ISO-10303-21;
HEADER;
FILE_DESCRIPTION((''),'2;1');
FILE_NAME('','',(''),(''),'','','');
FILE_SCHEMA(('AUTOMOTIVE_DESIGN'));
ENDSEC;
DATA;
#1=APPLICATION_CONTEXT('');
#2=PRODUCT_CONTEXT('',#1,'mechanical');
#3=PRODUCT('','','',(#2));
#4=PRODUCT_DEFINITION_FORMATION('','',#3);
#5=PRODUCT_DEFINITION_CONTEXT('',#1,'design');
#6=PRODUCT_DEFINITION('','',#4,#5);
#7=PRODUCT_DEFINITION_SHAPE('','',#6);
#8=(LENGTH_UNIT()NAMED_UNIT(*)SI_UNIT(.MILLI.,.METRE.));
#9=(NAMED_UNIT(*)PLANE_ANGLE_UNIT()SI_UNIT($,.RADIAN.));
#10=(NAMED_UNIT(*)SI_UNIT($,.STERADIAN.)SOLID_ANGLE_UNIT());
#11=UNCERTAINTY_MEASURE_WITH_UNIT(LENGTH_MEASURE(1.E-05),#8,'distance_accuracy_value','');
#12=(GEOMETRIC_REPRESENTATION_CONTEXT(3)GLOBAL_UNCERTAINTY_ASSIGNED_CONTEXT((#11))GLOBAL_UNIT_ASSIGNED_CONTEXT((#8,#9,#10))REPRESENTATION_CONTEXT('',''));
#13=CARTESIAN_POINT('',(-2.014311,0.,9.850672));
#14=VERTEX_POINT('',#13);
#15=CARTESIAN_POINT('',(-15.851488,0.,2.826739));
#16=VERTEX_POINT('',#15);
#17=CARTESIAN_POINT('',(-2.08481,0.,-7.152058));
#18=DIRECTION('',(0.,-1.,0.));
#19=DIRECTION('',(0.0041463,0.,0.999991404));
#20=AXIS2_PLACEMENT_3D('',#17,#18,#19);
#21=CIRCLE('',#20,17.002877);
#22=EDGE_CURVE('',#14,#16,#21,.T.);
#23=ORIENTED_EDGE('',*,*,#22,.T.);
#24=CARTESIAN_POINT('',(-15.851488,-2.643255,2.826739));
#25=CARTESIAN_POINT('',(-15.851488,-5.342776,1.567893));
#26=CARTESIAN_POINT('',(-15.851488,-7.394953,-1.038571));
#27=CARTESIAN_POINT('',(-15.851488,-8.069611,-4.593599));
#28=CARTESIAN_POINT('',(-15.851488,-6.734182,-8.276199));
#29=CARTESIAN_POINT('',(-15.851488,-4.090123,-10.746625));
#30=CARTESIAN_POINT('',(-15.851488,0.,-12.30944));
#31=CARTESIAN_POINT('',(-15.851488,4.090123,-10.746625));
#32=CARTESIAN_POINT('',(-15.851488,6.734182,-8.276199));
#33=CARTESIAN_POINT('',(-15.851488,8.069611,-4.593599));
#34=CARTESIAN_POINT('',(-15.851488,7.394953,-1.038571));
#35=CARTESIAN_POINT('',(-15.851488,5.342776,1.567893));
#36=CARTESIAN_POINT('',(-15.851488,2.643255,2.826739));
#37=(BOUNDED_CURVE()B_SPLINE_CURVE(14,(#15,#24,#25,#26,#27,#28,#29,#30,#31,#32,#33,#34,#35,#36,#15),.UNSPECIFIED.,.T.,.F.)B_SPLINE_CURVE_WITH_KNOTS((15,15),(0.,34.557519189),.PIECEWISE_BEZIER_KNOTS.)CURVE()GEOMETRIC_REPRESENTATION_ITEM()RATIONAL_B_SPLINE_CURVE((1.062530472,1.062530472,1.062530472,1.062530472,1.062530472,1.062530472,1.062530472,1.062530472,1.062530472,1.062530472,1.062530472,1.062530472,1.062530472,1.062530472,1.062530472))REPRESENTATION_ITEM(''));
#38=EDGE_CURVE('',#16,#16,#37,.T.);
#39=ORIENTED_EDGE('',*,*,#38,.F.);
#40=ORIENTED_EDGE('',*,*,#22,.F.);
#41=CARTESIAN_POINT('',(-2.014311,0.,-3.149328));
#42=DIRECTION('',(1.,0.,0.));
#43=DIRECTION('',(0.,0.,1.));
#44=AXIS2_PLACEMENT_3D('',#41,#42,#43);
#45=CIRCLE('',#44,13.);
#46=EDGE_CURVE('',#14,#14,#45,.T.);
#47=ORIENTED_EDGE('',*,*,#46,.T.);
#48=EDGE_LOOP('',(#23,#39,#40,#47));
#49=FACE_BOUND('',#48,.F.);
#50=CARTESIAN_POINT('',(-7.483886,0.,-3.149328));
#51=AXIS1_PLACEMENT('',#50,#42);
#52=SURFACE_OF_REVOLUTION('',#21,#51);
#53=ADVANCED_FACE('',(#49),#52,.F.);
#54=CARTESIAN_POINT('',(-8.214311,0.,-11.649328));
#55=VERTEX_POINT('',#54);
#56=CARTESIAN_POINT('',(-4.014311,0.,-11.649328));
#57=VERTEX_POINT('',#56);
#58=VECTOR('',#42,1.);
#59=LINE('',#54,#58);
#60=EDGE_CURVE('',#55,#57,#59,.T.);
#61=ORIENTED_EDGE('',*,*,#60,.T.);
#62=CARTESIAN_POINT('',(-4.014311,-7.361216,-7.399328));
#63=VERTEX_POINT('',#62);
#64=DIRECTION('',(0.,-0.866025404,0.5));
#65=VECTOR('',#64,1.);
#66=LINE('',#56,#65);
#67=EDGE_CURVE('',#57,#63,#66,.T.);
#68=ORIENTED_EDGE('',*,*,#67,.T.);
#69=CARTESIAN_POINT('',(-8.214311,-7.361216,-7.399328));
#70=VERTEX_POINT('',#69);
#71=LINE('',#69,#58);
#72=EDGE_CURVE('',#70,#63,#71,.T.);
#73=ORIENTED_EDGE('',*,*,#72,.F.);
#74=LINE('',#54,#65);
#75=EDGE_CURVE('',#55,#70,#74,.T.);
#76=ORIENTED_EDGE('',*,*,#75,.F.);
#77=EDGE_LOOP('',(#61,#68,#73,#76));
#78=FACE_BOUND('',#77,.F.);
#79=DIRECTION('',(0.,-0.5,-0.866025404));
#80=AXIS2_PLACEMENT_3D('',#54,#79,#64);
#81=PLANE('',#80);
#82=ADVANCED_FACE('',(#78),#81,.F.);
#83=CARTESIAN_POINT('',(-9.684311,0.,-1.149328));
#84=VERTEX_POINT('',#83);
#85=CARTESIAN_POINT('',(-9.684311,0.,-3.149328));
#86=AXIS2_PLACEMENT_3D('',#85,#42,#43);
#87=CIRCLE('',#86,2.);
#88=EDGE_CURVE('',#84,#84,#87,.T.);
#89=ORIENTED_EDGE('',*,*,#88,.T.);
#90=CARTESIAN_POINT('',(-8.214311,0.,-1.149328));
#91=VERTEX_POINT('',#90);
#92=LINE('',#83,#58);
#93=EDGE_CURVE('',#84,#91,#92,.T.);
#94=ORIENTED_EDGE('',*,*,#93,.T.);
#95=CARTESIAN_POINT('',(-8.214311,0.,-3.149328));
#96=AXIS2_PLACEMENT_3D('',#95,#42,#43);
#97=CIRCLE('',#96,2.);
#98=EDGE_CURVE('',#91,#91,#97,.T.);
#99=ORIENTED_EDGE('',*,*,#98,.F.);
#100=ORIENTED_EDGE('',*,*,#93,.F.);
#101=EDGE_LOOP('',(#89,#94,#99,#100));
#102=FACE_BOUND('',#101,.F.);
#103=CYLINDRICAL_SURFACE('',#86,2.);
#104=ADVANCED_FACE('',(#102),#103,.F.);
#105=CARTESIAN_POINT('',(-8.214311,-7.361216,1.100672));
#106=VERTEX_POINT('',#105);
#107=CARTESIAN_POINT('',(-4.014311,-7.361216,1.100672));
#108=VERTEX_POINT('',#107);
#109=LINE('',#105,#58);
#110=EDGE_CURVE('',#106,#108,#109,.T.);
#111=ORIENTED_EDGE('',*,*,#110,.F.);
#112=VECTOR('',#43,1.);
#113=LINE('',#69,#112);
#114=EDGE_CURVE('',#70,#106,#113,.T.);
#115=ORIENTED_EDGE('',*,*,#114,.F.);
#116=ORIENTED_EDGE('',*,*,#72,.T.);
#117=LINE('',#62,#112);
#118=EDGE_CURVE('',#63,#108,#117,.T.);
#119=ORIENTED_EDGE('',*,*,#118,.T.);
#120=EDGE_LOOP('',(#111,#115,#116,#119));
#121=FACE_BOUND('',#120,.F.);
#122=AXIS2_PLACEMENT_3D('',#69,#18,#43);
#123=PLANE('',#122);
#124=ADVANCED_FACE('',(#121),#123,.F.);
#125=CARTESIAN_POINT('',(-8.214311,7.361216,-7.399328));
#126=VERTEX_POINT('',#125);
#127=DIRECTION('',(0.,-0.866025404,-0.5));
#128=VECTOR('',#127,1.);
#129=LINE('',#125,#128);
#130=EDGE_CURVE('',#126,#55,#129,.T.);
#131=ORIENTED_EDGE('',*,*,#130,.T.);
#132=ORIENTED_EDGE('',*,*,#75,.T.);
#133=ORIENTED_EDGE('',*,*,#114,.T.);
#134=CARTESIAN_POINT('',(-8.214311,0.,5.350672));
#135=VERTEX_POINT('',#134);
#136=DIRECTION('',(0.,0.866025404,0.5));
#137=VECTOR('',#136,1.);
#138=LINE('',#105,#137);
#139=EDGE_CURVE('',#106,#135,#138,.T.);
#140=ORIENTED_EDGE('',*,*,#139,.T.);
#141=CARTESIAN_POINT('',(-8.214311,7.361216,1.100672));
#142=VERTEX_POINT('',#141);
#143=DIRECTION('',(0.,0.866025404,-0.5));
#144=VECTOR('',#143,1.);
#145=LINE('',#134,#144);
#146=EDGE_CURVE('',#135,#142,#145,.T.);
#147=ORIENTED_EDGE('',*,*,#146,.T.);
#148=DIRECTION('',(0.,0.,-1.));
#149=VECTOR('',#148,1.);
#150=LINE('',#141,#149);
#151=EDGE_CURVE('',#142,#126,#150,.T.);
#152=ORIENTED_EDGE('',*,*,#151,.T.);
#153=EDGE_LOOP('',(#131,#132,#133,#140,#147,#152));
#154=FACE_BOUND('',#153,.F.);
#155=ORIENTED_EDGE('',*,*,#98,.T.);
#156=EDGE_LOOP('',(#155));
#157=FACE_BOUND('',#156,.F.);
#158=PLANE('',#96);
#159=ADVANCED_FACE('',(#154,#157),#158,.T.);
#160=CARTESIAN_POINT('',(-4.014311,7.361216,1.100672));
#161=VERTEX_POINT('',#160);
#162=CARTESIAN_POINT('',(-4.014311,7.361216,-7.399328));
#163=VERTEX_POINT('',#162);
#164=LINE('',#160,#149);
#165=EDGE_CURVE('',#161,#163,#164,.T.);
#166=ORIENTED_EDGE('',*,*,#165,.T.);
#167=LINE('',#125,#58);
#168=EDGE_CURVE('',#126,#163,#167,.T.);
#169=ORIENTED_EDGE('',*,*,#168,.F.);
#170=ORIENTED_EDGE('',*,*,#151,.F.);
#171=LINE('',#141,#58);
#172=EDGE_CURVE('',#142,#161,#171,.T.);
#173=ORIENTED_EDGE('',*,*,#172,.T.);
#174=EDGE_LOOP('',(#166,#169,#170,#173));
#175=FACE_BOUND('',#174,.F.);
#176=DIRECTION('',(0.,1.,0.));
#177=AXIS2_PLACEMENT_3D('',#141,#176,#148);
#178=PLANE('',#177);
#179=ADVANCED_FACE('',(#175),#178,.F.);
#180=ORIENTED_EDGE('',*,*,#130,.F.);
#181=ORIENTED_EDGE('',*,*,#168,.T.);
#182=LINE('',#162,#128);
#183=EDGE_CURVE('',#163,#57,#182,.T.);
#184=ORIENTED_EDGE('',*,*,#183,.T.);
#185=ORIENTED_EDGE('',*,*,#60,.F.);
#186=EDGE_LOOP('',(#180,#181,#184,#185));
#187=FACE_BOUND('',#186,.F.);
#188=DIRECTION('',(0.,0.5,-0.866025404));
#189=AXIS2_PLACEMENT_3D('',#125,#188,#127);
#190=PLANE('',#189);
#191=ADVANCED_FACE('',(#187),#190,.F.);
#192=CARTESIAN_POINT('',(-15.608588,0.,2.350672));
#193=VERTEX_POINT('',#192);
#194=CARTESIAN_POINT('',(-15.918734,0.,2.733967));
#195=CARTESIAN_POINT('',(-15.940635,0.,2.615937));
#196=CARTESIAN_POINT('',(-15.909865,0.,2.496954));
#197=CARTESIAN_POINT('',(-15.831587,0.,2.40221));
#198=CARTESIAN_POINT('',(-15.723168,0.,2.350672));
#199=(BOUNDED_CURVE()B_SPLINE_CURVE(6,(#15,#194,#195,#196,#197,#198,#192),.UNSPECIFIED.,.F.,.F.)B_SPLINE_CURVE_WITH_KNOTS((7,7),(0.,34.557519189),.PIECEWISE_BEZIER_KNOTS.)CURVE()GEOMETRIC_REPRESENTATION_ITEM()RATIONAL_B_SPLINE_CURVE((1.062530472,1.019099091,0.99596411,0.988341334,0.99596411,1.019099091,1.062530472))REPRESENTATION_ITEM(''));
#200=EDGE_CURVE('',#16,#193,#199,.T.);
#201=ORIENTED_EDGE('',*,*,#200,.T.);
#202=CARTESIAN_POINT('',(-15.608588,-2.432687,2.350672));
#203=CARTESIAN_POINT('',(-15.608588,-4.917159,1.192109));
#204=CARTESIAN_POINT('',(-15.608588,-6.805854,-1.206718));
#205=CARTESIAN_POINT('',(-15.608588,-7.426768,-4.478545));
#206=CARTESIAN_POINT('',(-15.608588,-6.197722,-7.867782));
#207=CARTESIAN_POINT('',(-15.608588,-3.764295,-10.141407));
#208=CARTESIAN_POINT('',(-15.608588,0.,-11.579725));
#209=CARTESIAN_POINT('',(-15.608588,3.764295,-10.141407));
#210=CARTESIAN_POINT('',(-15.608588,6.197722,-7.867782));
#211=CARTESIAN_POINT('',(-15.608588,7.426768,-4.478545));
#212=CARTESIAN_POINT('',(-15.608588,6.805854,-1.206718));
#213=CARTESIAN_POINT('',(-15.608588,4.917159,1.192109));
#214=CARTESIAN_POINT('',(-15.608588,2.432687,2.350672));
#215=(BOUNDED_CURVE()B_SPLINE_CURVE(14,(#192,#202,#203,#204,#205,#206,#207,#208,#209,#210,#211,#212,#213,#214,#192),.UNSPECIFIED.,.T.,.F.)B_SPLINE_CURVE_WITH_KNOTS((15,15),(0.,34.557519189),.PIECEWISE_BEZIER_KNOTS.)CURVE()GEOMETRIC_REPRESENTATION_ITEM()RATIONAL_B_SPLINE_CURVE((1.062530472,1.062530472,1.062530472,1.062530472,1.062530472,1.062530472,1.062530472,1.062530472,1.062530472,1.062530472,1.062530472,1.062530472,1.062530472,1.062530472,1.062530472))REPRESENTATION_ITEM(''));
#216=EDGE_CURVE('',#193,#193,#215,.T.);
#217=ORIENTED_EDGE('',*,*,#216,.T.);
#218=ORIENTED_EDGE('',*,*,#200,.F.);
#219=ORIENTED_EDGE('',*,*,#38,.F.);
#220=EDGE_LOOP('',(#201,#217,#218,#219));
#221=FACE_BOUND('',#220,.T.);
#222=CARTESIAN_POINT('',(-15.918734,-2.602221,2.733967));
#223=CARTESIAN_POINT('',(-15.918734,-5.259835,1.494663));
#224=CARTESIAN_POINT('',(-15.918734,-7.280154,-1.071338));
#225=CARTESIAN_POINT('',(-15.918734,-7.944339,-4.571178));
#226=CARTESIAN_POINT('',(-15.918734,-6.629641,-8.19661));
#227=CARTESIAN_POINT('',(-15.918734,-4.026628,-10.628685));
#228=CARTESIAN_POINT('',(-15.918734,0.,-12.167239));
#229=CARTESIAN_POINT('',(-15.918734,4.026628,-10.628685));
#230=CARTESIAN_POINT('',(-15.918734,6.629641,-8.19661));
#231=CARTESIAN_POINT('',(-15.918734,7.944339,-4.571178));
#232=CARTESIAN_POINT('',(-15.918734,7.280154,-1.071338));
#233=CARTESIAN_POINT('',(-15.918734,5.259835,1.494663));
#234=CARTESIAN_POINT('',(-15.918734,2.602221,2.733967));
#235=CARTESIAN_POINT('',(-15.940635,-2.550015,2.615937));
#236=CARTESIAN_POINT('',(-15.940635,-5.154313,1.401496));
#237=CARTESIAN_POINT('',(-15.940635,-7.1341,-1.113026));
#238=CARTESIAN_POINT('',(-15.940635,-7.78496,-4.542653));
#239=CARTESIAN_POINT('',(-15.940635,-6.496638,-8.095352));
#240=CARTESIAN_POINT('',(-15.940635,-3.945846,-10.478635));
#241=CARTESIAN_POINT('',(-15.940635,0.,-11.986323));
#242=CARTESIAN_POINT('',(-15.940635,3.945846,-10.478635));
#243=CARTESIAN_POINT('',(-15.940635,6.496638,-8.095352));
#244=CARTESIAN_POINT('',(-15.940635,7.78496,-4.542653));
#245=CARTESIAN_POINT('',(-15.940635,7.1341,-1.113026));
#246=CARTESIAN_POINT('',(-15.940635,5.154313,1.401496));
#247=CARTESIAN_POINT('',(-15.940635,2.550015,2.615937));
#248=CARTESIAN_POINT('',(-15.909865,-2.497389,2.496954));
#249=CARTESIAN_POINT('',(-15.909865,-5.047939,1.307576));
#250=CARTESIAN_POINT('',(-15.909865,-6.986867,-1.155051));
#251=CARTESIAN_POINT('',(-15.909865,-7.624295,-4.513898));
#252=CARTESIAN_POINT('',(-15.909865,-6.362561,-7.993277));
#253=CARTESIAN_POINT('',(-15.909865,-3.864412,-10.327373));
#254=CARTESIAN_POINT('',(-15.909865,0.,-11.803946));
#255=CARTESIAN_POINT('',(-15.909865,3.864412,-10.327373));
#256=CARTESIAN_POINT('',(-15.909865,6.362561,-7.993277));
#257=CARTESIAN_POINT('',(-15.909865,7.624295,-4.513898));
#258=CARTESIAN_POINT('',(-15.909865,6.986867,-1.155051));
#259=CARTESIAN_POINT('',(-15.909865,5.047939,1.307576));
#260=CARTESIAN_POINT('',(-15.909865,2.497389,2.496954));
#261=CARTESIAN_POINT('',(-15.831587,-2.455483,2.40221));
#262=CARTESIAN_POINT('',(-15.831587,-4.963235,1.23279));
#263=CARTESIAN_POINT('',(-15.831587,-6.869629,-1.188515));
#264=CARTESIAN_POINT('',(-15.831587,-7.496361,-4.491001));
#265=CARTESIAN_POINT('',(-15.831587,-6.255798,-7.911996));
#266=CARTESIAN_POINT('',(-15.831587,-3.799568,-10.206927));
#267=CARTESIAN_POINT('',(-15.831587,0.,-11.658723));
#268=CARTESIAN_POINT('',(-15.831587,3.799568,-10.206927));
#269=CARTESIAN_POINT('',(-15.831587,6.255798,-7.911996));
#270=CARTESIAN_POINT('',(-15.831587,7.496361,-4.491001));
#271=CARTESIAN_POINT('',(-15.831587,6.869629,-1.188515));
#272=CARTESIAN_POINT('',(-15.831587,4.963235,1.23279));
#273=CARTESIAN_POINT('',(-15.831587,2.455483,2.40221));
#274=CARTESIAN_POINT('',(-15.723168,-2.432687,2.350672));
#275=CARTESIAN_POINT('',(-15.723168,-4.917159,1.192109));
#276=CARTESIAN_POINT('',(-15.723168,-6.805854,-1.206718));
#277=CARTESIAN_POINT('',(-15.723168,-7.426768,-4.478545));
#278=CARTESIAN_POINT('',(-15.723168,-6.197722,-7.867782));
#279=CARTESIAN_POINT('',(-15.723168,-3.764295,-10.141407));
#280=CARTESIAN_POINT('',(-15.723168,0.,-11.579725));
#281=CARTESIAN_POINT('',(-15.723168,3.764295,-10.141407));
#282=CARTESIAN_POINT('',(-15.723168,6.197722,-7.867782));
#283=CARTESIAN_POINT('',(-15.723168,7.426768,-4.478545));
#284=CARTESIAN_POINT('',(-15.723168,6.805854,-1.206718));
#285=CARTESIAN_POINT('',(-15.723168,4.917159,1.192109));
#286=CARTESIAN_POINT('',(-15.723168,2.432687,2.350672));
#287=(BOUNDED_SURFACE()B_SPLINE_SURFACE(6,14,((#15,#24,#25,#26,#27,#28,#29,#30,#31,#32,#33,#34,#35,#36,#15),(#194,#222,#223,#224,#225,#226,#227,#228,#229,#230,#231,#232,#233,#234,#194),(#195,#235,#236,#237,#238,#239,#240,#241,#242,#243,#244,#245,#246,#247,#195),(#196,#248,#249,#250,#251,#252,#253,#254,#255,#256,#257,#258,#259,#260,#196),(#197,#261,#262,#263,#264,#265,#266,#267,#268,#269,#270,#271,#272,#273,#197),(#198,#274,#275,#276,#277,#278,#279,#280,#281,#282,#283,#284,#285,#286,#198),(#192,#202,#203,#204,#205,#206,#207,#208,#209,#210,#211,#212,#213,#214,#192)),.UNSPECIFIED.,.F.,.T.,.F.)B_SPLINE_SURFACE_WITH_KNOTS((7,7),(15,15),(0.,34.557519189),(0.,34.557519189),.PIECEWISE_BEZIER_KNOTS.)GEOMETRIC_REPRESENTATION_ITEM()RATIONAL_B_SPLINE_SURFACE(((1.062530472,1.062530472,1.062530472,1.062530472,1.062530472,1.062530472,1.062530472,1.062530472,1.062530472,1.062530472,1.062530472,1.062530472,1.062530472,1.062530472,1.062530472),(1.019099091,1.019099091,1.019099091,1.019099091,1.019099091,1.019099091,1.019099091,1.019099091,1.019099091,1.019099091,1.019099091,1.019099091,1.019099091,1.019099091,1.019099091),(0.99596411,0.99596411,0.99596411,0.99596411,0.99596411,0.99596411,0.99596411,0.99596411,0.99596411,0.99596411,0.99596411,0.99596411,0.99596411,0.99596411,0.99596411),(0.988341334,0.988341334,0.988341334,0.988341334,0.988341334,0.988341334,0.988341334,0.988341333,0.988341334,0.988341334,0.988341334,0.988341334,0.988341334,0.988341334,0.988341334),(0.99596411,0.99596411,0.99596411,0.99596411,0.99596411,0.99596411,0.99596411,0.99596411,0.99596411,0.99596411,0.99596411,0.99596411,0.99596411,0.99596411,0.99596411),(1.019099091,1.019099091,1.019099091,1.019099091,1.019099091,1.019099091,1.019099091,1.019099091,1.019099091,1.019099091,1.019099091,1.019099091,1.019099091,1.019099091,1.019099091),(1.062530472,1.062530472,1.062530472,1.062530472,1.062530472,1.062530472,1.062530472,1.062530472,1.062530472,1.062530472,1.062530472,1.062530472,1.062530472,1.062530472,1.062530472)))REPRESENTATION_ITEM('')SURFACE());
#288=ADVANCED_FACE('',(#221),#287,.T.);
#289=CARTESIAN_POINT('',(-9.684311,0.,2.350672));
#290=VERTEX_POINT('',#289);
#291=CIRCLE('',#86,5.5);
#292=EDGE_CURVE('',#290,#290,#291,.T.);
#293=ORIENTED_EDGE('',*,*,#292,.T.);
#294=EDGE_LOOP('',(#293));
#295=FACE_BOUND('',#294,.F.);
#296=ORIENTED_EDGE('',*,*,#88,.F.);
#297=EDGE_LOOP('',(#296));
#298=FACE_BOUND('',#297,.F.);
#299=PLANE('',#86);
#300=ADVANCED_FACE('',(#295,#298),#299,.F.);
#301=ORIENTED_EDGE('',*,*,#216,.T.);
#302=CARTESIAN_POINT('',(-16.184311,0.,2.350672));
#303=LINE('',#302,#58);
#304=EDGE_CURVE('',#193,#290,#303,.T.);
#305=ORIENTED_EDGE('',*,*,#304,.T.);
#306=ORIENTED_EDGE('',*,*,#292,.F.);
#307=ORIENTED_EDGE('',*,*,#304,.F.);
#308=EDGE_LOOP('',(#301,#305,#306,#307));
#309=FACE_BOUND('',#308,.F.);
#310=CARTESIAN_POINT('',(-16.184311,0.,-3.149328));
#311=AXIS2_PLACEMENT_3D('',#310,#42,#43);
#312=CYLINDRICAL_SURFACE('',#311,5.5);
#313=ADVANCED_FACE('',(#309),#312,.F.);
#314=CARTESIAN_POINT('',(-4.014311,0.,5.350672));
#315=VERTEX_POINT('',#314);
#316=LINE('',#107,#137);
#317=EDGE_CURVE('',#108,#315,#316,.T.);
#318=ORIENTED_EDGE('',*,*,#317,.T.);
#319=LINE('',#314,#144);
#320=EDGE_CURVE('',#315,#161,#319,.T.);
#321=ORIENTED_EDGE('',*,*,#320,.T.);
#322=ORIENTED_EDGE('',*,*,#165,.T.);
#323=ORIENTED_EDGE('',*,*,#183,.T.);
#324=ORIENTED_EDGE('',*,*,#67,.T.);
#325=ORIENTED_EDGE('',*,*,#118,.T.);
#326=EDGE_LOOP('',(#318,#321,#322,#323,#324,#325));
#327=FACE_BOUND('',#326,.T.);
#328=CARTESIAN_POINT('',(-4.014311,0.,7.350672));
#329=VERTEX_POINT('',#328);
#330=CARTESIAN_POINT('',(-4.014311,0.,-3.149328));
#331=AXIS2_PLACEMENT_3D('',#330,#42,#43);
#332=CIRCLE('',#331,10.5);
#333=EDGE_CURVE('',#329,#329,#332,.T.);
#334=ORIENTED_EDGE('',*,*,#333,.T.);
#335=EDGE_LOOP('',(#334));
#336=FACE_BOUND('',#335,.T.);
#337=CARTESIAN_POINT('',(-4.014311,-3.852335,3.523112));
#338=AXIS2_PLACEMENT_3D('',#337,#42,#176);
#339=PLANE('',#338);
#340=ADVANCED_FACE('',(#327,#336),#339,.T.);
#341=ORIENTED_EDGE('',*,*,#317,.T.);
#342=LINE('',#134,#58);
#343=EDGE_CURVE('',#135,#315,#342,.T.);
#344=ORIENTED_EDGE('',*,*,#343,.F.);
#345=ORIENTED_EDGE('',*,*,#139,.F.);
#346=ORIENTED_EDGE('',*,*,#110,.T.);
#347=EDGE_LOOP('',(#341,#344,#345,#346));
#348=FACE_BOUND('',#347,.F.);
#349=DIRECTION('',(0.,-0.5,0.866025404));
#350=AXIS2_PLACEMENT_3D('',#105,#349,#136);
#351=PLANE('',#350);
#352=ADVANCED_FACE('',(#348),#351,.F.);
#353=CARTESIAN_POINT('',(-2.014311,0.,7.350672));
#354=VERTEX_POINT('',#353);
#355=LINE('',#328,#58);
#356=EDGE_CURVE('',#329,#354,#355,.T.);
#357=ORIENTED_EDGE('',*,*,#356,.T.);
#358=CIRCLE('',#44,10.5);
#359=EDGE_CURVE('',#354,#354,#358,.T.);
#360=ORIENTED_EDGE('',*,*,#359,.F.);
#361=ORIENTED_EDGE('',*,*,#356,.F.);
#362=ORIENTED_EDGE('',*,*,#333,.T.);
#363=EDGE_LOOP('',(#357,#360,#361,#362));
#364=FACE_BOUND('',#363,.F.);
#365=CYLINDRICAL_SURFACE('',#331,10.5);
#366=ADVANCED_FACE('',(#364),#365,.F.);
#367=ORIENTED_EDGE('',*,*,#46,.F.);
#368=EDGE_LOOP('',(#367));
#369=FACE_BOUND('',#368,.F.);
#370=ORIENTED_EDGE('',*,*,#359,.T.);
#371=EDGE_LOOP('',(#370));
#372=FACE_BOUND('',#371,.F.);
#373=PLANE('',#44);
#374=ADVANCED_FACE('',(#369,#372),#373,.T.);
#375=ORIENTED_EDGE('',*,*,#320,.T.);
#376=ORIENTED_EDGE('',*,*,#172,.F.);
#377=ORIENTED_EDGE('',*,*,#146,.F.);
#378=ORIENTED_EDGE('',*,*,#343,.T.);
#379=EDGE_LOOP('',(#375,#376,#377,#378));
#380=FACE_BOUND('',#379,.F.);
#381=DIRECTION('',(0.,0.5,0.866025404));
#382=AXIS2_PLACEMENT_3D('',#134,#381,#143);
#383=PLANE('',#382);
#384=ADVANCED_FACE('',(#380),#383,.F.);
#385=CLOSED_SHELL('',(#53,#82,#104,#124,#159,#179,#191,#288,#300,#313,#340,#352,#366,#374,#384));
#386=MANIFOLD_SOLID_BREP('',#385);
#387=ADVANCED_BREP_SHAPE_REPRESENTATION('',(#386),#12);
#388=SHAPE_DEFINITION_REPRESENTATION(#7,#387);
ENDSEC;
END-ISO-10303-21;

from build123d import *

# Parameters (mm, degrees)
F2_R     = 0.3
F4_DEPTH = 4.2


with BuildPart() as f1:
    # F0 (on Front) → F1 (revolve)
    with BuildSketch(Plane.XZ):
        with BuildLine():
            ThreePointArc((-2.0143112539, 9.8506723092), (-10.0387856326, 7.8756525688), (-16.1843112539, 2.3506723092))
            Line((-16.1843112539, 2.3506723092), (-9.6843112539, 2.3506723092))
            Line((-9.6843112539, 2.3506723092), (-9.6843112539, -1.1493276908))
            Line((-9.6843112539, -1.1493276908), (-8.2143112539, -1.1493276908))
            Line((-8.2143112539, -1.1493276908), (-8.2143112539, 5.3506723092))
            Line((-8.2143112539, 5.3506723092), (-4.0143112539, 5.3506723092))
            Line((-4.0143112539, 5.3506723092), (-4.0143112539, 7.3506723092))
            Line((-4.0143112539, 7.3506723092), (-2.0143112539, 7.3506723092))
            Line((-2.0143112539, 7.3506723092), (-2.0143112539, 9.8506723092))
        make_face()
    revolve(axis=Axis((-7.483886322, 0, -3.1493276908), (1, 0, 0)))

    # F2
    f2_edges = [f1.edges().sort_by_distance(p)[0] for p in [
        (-16.184311, 0, -8.649328),
    ]]
    fillet(f2_edges, radius=F2_R)

    # F3 (on face) → F4 (join)
    with BuildSketch(Plane.YZ.offset(-8.2143112539)):
        with BuildLine():
            Line((-7.3612159322, 1.1006723092), (0, 5.3506723092))
            ThreePointArc((0, 5.3506723092), (-4.25, 4.2118882414), (-7.3612159322, 1.1006723092))
        make_face()
        with BuildLine():
            Line((0, 5.3506723092), (7.3612159322, 1.1006723092))
            ThreePointArc((7.3612159322, 1.1006723092), (4.25, 4.2118882414), (0, 5.3506723092))
        make_face()
        with BuildLine():
            ThreePointArc((7.3612159322, -7.3993276908), (8.2103695235, -5.3492895741), (8.5, -3.1493276908))
            ThreePointArc((8.5, -3.1493276908), (8.2103695235, -0.9493658074), (7.3612159322, 1.1006723092))
            Line((7.3612159322, 1.1006723092), (7.3612159322, -7.3993276908))
        make_face()
        with BuildLine():
            Line((-7.3612159322, -7.3993276908), (-7.3612159322, 1.1006723092))
            ThreePointArc((-7.3612159322, 1.1006723092), (-8.5, -3.1493276908), (-7.3612159322, -7.3993276908))
        make_face()
        with BuildLine():
            ThreePointArc((-7.3612159322, -7.3993276908), (-4.25, -10.5105436229), (0, -11.6493276908))
            Line((0, -11.6493276908), (-7.3612159322, -7.3993276908))
        make_face()
        with BuildLine():
            ThreePointArc((0, -11.6493276908), (4.25, -10.5105436229), (7.3612159322, -7.3993276908))
            Line((7.3612159322, -7.3993276908), (0, -11.6493276908))
        make_face()
    extrude(amount=F4_DEPTH)


solid = f1.part
